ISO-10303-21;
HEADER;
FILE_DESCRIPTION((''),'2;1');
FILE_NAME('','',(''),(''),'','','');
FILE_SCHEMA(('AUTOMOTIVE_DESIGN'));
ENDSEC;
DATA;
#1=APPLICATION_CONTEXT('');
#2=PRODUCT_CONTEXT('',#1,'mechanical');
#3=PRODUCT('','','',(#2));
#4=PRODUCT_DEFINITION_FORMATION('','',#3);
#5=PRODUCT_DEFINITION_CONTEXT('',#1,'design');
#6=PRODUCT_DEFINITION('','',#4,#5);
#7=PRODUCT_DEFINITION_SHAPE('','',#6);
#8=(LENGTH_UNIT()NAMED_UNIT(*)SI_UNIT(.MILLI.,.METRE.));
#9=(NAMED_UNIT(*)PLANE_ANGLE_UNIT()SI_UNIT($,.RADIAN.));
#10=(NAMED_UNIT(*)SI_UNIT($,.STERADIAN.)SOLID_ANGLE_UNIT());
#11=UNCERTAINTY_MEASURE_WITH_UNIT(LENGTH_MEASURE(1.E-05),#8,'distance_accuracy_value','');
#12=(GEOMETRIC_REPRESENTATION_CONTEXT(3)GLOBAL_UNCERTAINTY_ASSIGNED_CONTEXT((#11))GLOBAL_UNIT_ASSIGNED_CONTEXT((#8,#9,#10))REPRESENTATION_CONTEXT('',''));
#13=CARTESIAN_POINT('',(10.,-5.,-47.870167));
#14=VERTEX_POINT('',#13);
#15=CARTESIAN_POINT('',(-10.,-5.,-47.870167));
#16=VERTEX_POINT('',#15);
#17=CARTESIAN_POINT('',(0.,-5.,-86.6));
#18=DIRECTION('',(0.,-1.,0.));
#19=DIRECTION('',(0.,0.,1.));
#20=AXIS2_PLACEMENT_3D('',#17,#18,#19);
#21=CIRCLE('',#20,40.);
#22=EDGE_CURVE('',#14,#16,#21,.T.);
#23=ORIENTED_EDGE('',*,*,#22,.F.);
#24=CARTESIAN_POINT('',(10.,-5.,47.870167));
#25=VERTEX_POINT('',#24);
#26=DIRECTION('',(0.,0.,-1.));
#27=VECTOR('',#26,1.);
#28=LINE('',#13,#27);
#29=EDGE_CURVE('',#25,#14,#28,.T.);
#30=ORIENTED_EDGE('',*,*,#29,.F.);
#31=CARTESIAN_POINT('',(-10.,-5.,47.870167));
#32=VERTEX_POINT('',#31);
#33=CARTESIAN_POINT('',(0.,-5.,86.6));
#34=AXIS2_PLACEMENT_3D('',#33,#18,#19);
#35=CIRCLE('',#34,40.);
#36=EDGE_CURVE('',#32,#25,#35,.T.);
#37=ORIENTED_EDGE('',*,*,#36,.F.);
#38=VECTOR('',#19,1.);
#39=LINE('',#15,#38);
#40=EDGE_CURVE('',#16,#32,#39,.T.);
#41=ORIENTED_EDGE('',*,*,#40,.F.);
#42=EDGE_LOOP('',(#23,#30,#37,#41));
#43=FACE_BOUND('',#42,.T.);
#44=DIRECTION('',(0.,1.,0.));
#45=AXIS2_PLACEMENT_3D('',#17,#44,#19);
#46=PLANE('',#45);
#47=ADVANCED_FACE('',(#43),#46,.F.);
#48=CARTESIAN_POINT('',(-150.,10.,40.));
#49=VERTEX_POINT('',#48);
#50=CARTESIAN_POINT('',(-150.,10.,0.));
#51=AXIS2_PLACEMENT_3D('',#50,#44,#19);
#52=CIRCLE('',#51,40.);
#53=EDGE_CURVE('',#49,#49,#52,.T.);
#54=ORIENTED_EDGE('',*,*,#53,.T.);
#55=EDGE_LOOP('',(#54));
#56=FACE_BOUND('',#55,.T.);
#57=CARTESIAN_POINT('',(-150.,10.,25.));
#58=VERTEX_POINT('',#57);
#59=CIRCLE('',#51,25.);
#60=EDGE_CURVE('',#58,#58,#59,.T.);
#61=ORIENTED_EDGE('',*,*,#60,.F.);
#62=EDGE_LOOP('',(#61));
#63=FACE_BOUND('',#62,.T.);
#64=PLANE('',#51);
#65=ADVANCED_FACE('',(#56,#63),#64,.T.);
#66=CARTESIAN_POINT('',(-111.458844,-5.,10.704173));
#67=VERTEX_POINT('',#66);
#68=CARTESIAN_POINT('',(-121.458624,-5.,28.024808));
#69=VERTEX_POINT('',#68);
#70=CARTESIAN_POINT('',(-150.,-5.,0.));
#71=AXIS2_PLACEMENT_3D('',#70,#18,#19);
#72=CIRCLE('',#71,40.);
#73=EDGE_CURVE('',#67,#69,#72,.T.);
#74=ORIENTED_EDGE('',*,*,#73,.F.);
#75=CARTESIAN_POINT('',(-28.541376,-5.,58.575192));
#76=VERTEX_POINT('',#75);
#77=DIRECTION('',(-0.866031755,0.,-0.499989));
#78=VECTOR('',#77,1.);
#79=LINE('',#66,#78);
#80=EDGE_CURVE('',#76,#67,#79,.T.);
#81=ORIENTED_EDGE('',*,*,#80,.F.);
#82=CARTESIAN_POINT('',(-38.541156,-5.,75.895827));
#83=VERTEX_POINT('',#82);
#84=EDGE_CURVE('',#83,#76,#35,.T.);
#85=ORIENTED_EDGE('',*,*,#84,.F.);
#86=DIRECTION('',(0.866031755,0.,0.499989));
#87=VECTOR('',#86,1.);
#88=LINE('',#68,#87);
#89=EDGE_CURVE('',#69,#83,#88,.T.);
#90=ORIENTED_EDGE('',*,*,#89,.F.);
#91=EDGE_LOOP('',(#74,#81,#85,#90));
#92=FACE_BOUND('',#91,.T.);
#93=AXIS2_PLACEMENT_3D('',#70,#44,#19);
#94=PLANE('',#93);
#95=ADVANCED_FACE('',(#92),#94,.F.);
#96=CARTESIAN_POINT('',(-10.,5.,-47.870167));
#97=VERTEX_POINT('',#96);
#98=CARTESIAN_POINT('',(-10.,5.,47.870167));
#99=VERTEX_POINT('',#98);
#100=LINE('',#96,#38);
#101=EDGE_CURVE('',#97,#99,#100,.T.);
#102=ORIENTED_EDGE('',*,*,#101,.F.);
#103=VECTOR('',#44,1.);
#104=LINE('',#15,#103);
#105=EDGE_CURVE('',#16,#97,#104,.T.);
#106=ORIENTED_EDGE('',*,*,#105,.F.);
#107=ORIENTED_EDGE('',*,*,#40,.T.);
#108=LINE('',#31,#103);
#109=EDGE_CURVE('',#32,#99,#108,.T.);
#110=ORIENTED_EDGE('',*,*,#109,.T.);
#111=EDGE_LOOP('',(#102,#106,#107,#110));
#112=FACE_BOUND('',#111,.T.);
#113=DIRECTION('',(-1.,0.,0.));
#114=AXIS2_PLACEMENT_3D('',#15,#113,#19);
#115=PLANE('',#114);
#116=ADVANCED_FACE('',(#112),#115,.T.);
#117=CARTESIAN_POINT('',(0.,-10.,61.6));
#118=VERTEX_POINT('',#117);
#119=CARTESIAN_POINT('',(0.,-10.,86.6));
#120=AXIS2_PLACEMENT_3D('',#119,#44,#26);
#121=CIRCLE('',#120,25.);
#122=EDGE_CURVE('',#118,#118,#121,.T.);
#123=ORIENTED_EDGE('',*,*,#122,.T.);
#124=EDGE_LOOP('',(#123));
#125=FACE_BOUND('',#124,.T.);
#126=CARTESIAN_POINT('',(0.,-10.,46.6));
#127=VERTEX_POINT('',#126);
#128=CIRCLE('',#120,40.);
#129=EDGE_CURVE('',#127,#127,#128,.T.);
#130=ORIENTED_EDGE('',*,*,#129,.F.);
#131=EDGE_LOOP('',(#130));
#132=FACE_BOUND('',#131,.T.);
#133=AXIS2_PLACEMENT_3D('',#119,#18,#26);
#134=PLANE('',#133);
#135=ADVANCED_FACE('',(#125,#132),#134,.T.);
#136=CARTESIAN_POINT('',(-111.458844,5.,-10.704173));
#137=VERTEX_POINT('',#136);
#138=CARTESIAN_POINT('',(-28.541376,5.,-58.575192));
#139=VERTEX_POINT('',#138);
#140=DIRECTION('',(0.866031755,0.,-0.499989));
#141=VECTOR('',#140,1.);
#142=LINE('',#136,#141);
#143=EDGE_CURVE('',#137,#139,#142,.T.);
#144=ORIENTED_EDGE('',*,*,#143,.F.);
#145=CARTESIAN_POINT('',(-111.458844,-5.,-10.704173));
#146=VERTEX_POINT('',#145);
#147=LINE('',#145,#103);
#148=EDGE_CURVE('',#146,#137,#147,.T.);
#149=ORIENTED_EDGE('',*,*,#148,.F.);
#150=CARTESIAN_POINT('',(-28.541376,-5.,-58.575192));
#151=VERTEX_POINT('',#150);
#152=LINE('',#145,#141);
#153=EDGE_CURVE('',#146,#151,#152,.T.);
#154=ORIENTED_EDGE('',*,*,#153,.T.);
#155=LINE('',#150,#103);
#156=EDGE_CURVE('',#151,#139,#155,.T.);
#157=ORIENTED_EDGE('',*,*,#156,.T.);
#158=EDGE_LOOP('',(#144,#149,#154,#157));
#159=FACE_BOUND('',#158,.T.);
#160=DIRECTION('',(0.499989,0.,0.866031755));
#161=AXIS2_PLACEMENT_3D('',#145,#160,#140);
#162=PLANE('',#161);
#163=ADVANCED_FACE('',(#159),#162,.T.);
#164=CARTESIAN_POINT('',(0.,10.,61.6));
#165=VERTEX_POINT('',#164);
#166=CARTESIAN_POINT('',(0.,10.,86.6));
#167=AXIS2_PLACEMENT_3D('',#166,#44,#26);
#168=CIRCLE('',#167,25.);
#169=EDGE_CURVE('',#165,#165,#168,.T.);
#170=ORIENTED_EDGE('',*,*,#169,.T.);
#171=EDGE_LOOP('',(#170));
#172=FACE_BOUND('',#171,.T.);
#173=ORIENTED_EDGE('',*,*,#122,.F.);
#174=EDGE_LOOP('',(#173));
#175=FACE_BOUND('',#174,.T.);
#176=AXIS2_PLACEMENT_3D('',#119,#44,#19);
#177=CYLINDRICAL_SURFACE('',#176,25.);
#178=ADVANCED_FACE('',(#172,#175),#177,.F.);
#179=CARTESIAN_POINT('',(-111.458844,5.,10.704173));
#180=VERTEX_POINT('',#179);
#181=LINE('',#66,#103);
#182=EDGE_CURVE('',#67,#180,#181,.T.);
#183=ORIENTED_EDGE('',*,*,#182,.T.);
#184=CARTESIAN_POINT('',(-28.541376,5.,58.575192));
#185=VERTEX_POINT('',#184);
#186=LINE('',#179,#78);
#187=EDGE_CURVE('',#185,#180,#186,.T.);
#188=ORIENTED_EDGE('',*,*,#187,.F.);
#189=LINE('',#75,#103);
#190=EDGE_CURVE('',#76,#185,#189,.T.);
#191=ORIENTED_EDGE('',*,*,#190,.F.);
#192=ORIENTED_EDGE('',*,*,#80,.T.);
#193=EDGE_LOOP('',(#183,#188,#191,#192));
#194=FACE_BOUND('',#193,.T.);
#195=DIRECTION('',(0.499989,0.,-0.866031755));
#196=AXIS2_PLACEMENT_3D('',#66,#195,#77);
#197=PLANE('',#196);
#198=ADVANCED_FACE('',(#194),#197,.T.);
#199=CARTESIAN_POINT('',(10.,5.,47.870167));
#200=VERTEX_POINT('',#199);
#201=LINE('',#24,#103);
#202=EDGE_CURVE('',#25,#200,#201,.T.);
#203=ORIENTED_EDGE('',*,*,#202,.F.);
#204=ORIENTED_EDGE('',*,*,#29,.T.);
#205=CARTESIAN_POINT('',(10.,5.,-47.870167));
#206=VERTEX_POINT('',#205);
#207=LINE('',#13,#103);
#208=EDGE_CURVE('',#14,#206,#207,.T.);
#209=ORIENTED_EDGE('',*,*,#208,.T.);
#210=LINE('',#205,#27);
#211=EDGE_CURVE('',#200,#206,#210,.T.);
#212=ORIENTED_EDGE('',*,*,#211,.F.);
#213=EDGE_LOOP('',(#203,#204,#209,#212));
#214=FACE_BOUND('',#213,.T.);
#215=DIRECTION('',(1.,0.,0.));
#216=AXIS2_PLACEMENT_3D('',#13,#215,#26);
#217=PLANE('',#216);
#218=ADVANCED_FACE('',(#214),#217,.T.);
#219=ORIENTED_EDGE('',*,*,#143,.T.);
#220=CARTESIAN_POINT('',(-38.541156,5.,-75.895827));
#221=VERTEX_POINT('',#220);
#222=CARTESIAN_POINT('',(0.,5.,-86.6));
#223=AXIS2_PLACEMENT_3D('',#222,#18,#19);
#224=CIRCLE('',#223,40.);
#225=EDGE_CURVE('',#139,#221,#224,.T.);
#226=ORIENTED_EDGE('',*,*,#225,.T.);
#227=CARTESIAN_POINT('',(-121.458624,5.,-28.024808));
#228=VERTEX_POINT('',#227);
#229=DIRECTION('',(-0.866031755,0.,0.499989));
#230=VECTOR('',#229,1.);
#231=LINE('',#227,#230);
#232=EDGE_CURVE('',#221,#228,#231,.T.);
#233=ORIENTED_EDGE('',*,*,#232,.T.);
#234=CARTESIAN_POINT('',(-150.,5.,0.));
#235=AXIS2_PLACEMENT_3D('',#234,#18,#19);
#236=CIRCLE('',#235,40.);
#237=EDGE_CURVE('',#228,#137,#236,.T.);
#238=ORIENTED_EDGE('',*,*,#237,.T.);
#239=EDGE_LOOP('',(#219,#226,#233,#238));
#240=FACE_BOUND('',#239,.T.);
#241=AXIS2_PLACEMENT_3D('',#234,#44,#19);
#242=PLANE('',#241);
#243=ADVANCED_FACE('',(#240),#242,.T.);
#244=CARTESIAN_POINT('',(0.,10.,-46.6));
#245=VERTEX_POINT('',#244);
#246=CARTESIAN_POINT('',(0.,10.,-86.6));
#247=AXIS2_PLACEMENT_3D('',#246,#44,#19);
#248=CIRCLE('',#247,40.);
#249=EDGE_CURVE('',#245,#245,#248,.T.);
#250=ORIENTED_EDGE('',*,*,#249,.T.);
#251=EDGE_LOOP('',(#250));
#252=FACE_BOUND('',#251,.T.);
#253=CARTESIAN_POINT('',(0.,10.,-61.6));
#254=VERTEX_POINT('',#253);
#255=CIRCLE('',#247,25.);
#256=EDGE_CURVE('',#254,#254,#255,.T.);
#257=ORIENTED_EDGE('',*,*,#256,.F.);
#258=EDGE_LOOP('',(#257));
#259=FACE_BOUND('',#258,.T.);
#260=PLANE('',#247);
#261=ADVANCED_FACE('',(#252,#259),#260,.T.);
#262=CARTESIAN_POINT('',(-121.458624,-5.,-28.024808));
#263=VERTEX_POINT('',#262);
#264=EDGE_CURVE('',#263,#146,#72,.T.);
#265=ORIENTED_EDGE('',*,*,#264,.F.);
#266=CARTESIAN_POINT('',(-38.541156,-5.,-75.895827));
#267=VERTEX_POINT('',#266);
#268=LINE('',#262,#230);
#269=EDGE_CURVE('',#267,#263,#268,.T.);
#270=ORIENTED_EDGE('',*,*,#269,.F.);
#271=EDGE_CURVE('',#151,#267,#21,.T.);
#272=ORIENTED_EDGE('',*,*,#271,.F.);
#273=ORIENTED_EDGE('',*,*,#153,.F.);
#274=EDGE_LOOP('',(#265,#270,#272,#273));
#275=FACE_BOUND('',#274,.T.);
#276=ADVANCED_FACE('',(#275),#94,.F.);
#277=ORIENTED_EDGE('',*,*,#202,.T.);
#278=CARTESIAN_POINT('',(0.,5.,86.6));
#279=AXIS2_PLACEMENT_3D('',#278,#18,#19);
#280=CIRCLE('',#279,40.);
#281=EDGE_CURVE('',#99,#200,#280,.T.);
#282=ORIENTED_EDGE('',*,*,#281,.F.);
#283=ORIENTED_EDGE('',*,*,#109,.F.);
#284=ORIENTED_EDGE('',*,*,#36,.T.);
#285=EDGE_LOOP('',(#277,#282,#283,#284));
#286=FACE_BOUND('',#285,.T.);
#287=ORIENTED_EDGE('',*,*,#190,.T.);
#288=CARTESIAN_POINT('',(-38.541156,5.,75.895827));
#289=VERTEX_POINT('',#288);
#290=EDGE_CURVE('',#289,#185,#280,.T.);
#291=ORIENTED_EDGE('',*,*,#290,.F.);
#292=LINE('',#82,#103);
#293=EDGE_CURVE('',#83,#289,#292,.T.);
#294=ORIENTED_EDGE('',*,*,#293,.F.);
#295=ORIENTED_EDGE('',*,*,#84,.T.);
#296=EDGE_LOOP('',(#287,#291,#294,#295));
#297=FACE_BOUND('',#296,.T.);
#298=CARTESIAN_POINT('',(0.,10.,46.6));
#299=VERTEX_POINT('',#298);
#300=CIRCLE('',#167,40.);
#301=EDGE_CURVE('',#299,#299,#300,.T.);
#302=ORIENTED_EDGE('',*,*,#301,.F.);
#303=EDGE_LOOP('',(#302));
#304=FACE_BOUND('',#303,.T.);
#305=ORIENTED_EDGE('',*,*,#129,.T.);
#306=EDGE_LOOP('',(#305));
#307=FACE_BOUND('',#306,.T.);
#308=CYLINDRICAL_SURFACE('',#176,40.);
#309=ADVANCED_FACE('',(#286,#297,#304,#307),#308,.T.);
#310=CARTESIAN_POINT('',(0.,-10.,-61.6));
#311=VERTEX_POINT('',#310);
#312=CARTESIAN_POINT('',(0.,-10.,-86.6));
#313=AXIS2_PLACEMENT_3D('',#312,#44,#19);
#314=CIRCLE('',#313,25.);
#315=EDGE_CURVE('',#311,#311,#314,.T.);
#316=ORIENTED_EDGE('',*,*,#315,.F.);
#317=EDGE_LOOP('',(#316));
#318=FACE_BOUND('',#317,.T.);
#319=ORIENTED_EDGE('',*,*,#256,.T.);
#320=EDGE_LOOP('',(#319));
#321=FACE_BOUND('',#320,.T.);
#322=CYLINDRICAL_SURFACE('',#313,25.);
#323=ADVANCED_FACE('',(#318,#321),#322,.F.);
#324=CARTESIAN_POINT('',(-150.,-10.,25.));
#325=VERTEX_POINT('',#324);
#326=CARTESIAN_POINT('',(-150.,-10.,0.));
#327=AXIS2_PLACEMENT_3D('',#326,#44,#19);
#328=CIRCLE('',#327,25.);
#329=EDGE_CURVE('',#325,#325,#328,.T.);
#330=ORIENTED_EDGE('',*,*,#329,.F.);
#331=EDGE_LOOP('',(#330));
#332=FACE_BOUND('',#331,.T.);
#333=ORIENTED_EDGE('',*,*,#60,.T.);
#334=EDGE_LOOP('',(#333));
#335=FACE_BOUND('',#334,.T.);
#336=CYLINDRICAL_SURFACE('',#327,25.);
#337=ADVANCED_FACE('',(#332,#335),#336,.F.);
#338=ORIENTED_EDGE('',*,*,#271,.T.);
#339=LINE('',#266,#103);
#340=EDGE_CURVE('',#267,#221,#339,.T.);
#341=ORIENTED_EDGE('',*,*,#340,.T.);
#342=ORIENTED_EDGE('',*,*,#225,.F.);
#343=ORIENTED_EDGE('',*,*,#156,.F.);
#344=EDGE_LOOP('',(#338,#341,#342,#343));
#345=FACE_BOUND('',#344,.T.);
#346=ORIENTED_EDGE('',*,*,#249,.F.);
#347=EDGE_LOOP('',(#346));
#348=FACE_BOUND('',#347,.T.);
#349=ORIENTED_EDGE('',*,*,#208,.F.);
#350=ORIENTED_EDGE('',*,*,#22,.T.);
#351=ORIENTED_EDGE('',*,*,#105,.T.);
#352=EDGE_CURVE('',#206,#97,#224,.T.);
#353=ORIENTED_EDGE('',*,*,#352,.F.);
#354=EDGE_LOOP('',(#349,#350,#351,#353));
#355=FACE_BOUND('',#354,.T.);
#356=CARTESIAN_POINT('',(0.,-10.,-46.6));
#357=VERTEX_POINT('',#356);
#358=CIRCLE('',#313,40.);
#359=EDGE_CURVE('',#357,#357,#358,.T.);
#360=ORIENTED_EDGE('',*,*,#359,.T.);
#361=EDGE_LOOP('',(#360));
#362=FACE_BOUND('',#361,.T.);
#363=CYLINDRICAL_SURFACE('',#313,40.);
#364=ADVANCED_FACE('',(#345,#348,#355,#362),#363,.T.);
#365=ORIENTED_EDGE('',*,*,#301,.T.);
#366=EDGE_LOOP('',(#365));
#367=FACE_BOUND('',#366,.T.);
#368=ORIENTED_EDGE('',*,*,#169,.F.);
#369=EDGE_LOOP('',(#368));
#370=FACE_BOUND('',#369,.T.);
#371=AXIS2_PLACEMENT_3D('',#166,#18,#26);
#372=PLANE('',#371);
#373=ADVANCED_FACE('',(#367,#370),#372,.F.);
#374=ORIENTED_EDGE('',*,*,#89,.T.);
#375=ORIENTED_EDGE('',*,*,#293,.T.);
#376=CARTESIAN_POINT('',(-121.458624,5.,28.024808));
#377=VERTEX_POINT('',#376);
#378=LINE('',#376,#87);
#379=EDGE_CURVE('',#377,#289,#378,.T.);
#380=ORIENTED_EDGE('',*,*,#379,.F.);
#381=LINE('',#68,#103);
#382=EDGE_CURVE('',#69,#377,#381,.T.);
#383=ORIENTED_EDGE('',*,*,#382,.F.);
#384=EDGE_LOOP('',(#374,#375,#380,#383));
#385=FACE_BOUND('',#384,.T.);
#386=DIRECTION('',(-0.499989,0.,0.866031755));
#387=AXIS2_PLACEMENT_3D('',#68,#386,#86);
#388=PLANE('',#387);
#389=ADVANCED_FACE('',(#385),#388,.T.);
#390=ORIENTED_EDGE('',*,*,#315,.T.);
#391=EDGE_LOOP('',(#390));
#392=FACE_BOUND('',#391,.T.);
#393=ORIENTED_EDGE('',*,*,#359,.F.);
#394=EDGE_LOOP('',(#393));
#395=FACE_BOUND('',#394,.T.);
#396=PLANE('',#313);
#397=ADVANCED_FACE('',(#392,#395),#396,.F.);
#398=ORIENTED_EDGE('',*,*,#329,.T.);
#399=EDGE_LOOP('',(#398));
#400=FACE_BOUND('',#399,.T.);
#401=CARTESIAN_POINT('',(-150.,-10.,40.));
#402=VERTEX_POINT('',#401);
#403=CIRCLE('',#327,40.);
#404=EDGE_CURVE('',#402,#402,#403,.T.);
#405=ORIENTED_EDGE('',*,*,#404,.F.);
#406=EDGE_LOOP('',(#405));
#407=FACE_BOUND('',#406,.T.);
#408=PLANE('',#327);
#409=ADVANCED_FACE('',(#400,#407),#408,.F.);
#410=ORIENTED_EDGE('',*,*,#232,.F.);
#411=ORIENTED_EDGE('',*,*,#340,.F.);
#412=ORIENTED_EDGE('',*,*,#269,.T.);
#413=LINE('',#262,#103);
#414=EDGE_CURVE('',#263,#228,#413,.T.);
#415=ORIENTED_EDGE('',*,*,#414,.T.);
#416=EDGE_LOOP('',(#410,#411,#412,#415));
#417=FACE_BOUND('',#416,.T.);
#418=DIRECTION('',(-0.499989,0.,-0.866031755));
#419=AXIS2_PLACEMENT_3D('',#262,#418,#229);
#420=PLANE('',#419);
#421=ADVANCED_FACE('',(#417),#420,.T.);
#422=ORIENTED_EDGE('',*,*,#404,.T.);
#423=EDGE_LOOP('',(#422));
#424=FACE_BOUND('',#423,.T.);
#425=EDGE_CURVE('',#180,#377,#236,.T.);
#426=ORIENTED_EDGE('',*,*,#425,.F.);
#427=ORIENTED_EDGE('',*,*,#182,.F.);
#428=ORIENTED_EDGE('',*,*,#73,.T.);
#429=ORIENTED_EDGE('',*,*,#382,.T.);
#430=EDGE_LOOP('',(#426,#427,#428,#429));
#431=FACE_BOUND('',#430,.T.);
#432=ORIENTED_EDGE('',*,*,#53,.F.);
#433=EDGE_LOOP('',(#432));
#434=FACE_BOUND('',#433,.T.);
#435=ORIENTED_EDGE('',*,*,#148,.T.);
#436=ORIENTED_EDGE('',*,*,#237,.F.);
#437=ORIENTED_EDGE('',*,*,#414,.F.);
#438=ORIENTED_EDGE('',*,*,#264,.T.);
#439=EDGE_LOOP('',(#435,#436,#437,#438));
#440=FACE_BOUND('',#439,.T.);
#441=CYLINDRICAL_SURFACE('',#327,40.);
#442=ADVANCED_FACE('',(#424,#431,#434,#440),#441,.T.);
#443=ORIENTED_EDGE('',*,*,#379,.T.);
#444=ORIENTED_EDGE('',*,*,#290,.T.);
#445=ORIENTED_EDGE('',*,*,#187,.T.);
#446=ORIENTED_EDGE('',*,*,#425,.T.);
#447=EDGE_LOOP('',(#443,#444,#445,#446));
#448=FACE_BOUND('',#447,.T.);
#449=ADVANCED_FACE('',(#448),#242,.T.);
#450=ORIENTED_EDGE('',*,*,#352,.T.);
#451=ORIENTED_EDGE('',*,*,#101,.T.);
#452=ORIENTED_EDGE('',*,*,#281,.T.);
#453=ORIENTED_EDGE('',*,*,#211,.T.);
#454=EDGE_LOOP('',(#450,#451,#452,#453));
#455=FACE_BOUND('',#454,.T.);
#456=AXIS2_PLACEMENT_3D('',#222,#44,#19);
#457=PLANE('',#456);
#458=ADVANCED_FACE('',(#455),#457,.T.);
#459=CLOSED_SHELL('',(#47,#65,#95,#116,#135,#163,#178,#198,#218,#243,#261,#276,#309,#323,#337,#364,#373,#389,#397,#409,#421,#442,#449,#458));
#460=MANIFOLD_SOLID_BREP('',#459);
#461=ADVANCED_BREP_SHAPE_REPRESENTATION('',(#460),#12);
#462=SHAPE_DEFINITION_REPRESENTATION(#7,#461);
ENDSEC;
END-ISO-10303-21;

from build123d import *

# Parameters (mm, degrees)
BOSS_EXTRUDE1_DEPTH        = 10
BOSS_EXTRUDE1_DEPTH_BACK   = 10
SKETCH1_R                  = 40
SKETCH1_R_2                = 25
BOSS_EXTRUDE1_2_DEPTH      = 10
BOSS_EXTRUDE1_2_DEPTH_BACK = 10
BOSS_EXTRUDE1_3_DEPTH      = 10
BOSS_EXTRUDE1_3_DEPTH_BACK = 10
BOSS_EXTRUDE2_DEPTH        = 5
BOSS_EXTRUDE2_DEPTH_BACK   = 5


with BuildPart() as part:
    # Sketch1 → Boss-Extrude1 (new, two sides: drawn at the far end of the back side and taken through both)
    with BuildSketch(Plane(origin=(0, 0, 0), x_dir=(1, 0, 0), z_dir=(0, 1, 0)).offset(-BOSS_EXTRUDE1_DEPTH_BACK)):
        with Locations((-150, 0)):
            Circle(SKETCH1_R)
        with Locations((-150, 0)):
            Circle(SKETCH1_R_2, mode=Mode.SUBTRACT)
    extrude(amount=BOSS_EXTRUDE1_DEPTH + BOSS_EXTRUDE1_DEPTH_BACK)



with BuildPart() as body_2:
    # Sketch1 → Boss-Extrude1 2 (new, two sides: drawn at the far end of the back side and taken through both)
    with BuildSketch(Plane(origin=(0, 0, 0), x_dir=(1, 0, 0), z_dir=(0, 1, 0)).offset(-BOSS_EXTRUDE1_2_DEPTH_BACK)):
        with Locations((0, 86.6)):
            Circle(SKETCH1_R)
        with Locations((0, 86.6)):
            Circle(SKETCH1_R_2, mode=Mode.SUBTRACT)
    extrude(amount=BOSS_EXTRUDE1_2_DEPTH + BOSS_EXTRUDE1_2_DEPTH_BACK)


with BuildPart() as body_3:
    # Sketch1 → Boss-Extrude1 3 (new, two sides: drawn at the far end of the back side and taken through both)
    with BuildSketch(Plane(origin=(0, 0, 0), x_dir=(1, 0, 0), z_dir=(0, 1, 0)).offset(-BOSS_EXTRUDE1_3_DEPTH_BACK)):
        with Locations((0, -86.6)):
            Circle(SKETCH1_R)
        with Locations((0, -86.6)):
            Circle(SKETCH1_R_2, mode=Mode.SUBTRACT)
    extrude(amount=BOSS_EXTRUDE1_3_DEPTH + BOSS_EXTRUDE1_3_DEPTH_BACK)


with BuildPart() as part_1:
    add(part.part)

    add(body_2.part)  # Boss-Extrude2 merges body 2

    add(body_3.part)  # Boss-Extrude2 merges body 3
    # Sketch2 → Boss-Extrude2 (add, two sides: drawn at the far end of the back side and taken through both)
    with BuildSketch(Plane(origin=(0, 0, 0), x_dir=(1, 0, 0), z_dir=(0, 1, 0)).offset(-BOSS_EXTRUDE2_DEPTH_BACK)):
        with BuildLine():
            Line((10, 47.870166538), (10, -47.870166538))
            ThreePointArc((10, -47.870166538), (0, -46.6), (-10, -47.870166538))
            Line((-10, -47.870166538), (-10, 47.870166538))
            ThreePointArc((-10, 47.870166538), (0, 46.6), (10, 47.870166538))
        make_face()
        with BuildLine():
            Line((-111.45884437, 10.704173145), (-28.541375636, 58.575191761))
            ThreePointArc((-28.541375636, 58.575191761), (-34.641270188, 66.600440011), (-38.54115563, 75.895826855))
            Line((-38.54115563, 75.895826855), (-121.458624364, 28.024808239))
            ThreePointArc((-121.458624364, 28.024808239), (-115.358729812, 19.999559989), (-111.45884437, 10.704173145))
        make_face()
        with BuildLine():
            Line((-111.45884437, -10.704173145), (-28.541375636, -58.575191761))
            ThreePointArc((-28.541375636, -58.575191761), (-34.641270188, -66.600440011), (-38.54115563, -75.895826855))
            Line((-38.54115563, -75.895826855), (-121.458624364, -28.024808239))
            ThreePointArc((-121.458624364, -28.024808239), (-115.358729812, -19.999559989), (-111.45884437, -10.704173145))
        make_face()
    extrude(amount=BOSS_EXTRUDE2_DEPTH + BOSS_EXTRUDE2_DEPTH_BACK)


solid = part_1.part
